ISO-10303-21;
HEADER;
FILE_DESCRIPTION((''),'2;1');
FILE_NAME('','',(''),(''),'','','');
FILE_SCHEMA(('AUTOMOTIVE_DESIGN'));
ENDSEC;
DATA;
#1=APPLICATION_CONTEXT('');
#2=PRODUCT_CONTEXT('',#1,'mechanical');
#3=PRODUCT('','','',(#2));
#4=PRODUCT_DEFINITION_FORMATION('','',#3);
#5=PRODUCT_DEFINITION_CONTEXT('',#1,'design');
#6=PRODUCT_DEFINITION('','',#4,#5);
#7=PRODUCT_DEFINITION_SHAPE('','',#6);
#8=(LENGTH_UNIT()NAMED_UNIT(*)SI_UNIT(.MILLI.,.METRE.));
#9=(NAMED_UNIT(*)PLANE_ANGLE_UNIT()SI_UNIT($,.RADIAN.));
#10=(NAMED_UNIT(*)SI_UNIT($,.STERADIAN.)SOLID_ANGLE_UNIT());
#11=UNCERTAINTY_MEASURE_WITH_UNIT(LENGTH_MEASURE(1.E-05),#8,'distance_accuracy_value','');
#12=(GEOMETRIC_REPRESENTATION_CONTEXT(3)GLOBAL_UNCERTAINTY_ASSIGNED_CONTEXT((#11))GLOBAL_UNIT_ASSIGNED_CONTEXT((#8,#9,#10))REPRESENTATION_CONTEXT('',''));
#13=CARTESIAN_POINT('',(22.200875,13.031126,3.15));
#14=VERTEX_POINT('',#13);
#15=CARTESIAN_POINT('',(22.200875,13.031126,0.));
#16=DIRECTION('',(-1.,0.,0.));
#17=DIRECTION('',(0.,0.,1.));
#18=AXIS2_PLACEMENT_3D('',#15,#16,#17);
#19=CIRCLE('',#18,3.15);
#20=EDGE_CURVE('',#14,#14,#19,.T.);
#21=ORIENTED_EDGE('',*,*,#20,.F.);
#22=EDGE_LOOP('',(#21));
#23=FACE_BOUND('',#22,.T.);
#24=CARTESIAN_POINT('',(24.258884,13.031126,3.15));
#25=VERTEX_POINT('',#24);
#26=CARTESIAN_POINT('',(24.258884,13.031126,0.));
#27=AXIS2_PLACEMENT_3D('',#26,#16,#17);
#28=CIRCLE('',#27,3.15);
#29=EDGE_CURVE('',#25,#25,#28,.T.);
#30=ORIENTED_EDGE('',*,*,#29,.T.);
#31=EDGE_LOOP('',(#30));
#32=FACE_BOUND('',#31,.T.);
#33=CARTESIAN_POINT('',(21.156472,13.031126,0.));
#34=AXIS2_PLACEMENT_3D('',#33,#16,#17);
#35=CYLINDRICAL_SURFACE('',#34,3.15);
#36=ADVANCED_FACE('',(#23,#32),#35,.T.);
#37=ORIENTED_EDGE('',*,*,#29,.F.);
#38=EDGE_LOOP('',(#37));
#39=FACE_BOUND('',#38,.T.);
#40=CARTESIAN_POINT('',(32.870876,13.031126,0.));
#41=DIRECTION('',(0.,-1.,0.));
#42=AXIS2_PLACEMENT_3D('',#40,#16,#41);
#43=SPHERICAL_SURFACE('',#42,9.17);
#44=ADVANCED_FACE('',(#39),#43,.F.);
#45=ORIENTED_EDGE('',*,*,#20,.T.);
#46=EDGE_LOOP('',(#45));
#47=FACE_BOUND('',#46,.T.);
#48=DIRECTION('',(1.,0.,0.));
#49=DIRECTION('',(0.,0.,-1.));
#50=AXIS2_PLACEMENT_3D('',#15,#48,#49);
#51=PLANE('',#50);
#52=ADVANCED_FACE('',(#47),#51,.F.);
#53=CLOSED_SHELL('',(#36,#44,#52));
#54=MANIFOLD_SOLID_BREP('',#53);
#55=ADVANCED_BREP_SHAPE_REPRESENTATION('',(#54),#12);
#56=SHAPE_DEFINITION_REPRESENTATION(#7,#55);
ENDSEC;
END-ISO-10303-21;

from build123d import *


with BuildPart() as part:
    # 草图2 → 旋转1 (revolve)
    with BuildSketch(Plane.XY, mode=Mode.PRIVATE) as revolve_1_sk:
        with BuildLine():
            Line((22.200875489, 13.031126091), (22.200875489, 16.181126091))
            Line((22.200875489, 16.181126091), (24.258883862, 16.181126091))
            ThreePointArc((24.258883862, 16.181126091), (23.841455162, 14.630647374), (23.700875501, 13.031126091))
            Line((23.700875501, 13.031126091), (22.200875489, 13.031126091))
        make_face()
    revolve(revolve_1_sk.sketch.rotate(Axis((21.156471922, 13.031126091, 0), (1, 0, 0)), 180), axis=Axis((21.156471922, 13.031126091, 0), (1, 0, 0)))  # turned: the seam where the file's is


solid = part.part
